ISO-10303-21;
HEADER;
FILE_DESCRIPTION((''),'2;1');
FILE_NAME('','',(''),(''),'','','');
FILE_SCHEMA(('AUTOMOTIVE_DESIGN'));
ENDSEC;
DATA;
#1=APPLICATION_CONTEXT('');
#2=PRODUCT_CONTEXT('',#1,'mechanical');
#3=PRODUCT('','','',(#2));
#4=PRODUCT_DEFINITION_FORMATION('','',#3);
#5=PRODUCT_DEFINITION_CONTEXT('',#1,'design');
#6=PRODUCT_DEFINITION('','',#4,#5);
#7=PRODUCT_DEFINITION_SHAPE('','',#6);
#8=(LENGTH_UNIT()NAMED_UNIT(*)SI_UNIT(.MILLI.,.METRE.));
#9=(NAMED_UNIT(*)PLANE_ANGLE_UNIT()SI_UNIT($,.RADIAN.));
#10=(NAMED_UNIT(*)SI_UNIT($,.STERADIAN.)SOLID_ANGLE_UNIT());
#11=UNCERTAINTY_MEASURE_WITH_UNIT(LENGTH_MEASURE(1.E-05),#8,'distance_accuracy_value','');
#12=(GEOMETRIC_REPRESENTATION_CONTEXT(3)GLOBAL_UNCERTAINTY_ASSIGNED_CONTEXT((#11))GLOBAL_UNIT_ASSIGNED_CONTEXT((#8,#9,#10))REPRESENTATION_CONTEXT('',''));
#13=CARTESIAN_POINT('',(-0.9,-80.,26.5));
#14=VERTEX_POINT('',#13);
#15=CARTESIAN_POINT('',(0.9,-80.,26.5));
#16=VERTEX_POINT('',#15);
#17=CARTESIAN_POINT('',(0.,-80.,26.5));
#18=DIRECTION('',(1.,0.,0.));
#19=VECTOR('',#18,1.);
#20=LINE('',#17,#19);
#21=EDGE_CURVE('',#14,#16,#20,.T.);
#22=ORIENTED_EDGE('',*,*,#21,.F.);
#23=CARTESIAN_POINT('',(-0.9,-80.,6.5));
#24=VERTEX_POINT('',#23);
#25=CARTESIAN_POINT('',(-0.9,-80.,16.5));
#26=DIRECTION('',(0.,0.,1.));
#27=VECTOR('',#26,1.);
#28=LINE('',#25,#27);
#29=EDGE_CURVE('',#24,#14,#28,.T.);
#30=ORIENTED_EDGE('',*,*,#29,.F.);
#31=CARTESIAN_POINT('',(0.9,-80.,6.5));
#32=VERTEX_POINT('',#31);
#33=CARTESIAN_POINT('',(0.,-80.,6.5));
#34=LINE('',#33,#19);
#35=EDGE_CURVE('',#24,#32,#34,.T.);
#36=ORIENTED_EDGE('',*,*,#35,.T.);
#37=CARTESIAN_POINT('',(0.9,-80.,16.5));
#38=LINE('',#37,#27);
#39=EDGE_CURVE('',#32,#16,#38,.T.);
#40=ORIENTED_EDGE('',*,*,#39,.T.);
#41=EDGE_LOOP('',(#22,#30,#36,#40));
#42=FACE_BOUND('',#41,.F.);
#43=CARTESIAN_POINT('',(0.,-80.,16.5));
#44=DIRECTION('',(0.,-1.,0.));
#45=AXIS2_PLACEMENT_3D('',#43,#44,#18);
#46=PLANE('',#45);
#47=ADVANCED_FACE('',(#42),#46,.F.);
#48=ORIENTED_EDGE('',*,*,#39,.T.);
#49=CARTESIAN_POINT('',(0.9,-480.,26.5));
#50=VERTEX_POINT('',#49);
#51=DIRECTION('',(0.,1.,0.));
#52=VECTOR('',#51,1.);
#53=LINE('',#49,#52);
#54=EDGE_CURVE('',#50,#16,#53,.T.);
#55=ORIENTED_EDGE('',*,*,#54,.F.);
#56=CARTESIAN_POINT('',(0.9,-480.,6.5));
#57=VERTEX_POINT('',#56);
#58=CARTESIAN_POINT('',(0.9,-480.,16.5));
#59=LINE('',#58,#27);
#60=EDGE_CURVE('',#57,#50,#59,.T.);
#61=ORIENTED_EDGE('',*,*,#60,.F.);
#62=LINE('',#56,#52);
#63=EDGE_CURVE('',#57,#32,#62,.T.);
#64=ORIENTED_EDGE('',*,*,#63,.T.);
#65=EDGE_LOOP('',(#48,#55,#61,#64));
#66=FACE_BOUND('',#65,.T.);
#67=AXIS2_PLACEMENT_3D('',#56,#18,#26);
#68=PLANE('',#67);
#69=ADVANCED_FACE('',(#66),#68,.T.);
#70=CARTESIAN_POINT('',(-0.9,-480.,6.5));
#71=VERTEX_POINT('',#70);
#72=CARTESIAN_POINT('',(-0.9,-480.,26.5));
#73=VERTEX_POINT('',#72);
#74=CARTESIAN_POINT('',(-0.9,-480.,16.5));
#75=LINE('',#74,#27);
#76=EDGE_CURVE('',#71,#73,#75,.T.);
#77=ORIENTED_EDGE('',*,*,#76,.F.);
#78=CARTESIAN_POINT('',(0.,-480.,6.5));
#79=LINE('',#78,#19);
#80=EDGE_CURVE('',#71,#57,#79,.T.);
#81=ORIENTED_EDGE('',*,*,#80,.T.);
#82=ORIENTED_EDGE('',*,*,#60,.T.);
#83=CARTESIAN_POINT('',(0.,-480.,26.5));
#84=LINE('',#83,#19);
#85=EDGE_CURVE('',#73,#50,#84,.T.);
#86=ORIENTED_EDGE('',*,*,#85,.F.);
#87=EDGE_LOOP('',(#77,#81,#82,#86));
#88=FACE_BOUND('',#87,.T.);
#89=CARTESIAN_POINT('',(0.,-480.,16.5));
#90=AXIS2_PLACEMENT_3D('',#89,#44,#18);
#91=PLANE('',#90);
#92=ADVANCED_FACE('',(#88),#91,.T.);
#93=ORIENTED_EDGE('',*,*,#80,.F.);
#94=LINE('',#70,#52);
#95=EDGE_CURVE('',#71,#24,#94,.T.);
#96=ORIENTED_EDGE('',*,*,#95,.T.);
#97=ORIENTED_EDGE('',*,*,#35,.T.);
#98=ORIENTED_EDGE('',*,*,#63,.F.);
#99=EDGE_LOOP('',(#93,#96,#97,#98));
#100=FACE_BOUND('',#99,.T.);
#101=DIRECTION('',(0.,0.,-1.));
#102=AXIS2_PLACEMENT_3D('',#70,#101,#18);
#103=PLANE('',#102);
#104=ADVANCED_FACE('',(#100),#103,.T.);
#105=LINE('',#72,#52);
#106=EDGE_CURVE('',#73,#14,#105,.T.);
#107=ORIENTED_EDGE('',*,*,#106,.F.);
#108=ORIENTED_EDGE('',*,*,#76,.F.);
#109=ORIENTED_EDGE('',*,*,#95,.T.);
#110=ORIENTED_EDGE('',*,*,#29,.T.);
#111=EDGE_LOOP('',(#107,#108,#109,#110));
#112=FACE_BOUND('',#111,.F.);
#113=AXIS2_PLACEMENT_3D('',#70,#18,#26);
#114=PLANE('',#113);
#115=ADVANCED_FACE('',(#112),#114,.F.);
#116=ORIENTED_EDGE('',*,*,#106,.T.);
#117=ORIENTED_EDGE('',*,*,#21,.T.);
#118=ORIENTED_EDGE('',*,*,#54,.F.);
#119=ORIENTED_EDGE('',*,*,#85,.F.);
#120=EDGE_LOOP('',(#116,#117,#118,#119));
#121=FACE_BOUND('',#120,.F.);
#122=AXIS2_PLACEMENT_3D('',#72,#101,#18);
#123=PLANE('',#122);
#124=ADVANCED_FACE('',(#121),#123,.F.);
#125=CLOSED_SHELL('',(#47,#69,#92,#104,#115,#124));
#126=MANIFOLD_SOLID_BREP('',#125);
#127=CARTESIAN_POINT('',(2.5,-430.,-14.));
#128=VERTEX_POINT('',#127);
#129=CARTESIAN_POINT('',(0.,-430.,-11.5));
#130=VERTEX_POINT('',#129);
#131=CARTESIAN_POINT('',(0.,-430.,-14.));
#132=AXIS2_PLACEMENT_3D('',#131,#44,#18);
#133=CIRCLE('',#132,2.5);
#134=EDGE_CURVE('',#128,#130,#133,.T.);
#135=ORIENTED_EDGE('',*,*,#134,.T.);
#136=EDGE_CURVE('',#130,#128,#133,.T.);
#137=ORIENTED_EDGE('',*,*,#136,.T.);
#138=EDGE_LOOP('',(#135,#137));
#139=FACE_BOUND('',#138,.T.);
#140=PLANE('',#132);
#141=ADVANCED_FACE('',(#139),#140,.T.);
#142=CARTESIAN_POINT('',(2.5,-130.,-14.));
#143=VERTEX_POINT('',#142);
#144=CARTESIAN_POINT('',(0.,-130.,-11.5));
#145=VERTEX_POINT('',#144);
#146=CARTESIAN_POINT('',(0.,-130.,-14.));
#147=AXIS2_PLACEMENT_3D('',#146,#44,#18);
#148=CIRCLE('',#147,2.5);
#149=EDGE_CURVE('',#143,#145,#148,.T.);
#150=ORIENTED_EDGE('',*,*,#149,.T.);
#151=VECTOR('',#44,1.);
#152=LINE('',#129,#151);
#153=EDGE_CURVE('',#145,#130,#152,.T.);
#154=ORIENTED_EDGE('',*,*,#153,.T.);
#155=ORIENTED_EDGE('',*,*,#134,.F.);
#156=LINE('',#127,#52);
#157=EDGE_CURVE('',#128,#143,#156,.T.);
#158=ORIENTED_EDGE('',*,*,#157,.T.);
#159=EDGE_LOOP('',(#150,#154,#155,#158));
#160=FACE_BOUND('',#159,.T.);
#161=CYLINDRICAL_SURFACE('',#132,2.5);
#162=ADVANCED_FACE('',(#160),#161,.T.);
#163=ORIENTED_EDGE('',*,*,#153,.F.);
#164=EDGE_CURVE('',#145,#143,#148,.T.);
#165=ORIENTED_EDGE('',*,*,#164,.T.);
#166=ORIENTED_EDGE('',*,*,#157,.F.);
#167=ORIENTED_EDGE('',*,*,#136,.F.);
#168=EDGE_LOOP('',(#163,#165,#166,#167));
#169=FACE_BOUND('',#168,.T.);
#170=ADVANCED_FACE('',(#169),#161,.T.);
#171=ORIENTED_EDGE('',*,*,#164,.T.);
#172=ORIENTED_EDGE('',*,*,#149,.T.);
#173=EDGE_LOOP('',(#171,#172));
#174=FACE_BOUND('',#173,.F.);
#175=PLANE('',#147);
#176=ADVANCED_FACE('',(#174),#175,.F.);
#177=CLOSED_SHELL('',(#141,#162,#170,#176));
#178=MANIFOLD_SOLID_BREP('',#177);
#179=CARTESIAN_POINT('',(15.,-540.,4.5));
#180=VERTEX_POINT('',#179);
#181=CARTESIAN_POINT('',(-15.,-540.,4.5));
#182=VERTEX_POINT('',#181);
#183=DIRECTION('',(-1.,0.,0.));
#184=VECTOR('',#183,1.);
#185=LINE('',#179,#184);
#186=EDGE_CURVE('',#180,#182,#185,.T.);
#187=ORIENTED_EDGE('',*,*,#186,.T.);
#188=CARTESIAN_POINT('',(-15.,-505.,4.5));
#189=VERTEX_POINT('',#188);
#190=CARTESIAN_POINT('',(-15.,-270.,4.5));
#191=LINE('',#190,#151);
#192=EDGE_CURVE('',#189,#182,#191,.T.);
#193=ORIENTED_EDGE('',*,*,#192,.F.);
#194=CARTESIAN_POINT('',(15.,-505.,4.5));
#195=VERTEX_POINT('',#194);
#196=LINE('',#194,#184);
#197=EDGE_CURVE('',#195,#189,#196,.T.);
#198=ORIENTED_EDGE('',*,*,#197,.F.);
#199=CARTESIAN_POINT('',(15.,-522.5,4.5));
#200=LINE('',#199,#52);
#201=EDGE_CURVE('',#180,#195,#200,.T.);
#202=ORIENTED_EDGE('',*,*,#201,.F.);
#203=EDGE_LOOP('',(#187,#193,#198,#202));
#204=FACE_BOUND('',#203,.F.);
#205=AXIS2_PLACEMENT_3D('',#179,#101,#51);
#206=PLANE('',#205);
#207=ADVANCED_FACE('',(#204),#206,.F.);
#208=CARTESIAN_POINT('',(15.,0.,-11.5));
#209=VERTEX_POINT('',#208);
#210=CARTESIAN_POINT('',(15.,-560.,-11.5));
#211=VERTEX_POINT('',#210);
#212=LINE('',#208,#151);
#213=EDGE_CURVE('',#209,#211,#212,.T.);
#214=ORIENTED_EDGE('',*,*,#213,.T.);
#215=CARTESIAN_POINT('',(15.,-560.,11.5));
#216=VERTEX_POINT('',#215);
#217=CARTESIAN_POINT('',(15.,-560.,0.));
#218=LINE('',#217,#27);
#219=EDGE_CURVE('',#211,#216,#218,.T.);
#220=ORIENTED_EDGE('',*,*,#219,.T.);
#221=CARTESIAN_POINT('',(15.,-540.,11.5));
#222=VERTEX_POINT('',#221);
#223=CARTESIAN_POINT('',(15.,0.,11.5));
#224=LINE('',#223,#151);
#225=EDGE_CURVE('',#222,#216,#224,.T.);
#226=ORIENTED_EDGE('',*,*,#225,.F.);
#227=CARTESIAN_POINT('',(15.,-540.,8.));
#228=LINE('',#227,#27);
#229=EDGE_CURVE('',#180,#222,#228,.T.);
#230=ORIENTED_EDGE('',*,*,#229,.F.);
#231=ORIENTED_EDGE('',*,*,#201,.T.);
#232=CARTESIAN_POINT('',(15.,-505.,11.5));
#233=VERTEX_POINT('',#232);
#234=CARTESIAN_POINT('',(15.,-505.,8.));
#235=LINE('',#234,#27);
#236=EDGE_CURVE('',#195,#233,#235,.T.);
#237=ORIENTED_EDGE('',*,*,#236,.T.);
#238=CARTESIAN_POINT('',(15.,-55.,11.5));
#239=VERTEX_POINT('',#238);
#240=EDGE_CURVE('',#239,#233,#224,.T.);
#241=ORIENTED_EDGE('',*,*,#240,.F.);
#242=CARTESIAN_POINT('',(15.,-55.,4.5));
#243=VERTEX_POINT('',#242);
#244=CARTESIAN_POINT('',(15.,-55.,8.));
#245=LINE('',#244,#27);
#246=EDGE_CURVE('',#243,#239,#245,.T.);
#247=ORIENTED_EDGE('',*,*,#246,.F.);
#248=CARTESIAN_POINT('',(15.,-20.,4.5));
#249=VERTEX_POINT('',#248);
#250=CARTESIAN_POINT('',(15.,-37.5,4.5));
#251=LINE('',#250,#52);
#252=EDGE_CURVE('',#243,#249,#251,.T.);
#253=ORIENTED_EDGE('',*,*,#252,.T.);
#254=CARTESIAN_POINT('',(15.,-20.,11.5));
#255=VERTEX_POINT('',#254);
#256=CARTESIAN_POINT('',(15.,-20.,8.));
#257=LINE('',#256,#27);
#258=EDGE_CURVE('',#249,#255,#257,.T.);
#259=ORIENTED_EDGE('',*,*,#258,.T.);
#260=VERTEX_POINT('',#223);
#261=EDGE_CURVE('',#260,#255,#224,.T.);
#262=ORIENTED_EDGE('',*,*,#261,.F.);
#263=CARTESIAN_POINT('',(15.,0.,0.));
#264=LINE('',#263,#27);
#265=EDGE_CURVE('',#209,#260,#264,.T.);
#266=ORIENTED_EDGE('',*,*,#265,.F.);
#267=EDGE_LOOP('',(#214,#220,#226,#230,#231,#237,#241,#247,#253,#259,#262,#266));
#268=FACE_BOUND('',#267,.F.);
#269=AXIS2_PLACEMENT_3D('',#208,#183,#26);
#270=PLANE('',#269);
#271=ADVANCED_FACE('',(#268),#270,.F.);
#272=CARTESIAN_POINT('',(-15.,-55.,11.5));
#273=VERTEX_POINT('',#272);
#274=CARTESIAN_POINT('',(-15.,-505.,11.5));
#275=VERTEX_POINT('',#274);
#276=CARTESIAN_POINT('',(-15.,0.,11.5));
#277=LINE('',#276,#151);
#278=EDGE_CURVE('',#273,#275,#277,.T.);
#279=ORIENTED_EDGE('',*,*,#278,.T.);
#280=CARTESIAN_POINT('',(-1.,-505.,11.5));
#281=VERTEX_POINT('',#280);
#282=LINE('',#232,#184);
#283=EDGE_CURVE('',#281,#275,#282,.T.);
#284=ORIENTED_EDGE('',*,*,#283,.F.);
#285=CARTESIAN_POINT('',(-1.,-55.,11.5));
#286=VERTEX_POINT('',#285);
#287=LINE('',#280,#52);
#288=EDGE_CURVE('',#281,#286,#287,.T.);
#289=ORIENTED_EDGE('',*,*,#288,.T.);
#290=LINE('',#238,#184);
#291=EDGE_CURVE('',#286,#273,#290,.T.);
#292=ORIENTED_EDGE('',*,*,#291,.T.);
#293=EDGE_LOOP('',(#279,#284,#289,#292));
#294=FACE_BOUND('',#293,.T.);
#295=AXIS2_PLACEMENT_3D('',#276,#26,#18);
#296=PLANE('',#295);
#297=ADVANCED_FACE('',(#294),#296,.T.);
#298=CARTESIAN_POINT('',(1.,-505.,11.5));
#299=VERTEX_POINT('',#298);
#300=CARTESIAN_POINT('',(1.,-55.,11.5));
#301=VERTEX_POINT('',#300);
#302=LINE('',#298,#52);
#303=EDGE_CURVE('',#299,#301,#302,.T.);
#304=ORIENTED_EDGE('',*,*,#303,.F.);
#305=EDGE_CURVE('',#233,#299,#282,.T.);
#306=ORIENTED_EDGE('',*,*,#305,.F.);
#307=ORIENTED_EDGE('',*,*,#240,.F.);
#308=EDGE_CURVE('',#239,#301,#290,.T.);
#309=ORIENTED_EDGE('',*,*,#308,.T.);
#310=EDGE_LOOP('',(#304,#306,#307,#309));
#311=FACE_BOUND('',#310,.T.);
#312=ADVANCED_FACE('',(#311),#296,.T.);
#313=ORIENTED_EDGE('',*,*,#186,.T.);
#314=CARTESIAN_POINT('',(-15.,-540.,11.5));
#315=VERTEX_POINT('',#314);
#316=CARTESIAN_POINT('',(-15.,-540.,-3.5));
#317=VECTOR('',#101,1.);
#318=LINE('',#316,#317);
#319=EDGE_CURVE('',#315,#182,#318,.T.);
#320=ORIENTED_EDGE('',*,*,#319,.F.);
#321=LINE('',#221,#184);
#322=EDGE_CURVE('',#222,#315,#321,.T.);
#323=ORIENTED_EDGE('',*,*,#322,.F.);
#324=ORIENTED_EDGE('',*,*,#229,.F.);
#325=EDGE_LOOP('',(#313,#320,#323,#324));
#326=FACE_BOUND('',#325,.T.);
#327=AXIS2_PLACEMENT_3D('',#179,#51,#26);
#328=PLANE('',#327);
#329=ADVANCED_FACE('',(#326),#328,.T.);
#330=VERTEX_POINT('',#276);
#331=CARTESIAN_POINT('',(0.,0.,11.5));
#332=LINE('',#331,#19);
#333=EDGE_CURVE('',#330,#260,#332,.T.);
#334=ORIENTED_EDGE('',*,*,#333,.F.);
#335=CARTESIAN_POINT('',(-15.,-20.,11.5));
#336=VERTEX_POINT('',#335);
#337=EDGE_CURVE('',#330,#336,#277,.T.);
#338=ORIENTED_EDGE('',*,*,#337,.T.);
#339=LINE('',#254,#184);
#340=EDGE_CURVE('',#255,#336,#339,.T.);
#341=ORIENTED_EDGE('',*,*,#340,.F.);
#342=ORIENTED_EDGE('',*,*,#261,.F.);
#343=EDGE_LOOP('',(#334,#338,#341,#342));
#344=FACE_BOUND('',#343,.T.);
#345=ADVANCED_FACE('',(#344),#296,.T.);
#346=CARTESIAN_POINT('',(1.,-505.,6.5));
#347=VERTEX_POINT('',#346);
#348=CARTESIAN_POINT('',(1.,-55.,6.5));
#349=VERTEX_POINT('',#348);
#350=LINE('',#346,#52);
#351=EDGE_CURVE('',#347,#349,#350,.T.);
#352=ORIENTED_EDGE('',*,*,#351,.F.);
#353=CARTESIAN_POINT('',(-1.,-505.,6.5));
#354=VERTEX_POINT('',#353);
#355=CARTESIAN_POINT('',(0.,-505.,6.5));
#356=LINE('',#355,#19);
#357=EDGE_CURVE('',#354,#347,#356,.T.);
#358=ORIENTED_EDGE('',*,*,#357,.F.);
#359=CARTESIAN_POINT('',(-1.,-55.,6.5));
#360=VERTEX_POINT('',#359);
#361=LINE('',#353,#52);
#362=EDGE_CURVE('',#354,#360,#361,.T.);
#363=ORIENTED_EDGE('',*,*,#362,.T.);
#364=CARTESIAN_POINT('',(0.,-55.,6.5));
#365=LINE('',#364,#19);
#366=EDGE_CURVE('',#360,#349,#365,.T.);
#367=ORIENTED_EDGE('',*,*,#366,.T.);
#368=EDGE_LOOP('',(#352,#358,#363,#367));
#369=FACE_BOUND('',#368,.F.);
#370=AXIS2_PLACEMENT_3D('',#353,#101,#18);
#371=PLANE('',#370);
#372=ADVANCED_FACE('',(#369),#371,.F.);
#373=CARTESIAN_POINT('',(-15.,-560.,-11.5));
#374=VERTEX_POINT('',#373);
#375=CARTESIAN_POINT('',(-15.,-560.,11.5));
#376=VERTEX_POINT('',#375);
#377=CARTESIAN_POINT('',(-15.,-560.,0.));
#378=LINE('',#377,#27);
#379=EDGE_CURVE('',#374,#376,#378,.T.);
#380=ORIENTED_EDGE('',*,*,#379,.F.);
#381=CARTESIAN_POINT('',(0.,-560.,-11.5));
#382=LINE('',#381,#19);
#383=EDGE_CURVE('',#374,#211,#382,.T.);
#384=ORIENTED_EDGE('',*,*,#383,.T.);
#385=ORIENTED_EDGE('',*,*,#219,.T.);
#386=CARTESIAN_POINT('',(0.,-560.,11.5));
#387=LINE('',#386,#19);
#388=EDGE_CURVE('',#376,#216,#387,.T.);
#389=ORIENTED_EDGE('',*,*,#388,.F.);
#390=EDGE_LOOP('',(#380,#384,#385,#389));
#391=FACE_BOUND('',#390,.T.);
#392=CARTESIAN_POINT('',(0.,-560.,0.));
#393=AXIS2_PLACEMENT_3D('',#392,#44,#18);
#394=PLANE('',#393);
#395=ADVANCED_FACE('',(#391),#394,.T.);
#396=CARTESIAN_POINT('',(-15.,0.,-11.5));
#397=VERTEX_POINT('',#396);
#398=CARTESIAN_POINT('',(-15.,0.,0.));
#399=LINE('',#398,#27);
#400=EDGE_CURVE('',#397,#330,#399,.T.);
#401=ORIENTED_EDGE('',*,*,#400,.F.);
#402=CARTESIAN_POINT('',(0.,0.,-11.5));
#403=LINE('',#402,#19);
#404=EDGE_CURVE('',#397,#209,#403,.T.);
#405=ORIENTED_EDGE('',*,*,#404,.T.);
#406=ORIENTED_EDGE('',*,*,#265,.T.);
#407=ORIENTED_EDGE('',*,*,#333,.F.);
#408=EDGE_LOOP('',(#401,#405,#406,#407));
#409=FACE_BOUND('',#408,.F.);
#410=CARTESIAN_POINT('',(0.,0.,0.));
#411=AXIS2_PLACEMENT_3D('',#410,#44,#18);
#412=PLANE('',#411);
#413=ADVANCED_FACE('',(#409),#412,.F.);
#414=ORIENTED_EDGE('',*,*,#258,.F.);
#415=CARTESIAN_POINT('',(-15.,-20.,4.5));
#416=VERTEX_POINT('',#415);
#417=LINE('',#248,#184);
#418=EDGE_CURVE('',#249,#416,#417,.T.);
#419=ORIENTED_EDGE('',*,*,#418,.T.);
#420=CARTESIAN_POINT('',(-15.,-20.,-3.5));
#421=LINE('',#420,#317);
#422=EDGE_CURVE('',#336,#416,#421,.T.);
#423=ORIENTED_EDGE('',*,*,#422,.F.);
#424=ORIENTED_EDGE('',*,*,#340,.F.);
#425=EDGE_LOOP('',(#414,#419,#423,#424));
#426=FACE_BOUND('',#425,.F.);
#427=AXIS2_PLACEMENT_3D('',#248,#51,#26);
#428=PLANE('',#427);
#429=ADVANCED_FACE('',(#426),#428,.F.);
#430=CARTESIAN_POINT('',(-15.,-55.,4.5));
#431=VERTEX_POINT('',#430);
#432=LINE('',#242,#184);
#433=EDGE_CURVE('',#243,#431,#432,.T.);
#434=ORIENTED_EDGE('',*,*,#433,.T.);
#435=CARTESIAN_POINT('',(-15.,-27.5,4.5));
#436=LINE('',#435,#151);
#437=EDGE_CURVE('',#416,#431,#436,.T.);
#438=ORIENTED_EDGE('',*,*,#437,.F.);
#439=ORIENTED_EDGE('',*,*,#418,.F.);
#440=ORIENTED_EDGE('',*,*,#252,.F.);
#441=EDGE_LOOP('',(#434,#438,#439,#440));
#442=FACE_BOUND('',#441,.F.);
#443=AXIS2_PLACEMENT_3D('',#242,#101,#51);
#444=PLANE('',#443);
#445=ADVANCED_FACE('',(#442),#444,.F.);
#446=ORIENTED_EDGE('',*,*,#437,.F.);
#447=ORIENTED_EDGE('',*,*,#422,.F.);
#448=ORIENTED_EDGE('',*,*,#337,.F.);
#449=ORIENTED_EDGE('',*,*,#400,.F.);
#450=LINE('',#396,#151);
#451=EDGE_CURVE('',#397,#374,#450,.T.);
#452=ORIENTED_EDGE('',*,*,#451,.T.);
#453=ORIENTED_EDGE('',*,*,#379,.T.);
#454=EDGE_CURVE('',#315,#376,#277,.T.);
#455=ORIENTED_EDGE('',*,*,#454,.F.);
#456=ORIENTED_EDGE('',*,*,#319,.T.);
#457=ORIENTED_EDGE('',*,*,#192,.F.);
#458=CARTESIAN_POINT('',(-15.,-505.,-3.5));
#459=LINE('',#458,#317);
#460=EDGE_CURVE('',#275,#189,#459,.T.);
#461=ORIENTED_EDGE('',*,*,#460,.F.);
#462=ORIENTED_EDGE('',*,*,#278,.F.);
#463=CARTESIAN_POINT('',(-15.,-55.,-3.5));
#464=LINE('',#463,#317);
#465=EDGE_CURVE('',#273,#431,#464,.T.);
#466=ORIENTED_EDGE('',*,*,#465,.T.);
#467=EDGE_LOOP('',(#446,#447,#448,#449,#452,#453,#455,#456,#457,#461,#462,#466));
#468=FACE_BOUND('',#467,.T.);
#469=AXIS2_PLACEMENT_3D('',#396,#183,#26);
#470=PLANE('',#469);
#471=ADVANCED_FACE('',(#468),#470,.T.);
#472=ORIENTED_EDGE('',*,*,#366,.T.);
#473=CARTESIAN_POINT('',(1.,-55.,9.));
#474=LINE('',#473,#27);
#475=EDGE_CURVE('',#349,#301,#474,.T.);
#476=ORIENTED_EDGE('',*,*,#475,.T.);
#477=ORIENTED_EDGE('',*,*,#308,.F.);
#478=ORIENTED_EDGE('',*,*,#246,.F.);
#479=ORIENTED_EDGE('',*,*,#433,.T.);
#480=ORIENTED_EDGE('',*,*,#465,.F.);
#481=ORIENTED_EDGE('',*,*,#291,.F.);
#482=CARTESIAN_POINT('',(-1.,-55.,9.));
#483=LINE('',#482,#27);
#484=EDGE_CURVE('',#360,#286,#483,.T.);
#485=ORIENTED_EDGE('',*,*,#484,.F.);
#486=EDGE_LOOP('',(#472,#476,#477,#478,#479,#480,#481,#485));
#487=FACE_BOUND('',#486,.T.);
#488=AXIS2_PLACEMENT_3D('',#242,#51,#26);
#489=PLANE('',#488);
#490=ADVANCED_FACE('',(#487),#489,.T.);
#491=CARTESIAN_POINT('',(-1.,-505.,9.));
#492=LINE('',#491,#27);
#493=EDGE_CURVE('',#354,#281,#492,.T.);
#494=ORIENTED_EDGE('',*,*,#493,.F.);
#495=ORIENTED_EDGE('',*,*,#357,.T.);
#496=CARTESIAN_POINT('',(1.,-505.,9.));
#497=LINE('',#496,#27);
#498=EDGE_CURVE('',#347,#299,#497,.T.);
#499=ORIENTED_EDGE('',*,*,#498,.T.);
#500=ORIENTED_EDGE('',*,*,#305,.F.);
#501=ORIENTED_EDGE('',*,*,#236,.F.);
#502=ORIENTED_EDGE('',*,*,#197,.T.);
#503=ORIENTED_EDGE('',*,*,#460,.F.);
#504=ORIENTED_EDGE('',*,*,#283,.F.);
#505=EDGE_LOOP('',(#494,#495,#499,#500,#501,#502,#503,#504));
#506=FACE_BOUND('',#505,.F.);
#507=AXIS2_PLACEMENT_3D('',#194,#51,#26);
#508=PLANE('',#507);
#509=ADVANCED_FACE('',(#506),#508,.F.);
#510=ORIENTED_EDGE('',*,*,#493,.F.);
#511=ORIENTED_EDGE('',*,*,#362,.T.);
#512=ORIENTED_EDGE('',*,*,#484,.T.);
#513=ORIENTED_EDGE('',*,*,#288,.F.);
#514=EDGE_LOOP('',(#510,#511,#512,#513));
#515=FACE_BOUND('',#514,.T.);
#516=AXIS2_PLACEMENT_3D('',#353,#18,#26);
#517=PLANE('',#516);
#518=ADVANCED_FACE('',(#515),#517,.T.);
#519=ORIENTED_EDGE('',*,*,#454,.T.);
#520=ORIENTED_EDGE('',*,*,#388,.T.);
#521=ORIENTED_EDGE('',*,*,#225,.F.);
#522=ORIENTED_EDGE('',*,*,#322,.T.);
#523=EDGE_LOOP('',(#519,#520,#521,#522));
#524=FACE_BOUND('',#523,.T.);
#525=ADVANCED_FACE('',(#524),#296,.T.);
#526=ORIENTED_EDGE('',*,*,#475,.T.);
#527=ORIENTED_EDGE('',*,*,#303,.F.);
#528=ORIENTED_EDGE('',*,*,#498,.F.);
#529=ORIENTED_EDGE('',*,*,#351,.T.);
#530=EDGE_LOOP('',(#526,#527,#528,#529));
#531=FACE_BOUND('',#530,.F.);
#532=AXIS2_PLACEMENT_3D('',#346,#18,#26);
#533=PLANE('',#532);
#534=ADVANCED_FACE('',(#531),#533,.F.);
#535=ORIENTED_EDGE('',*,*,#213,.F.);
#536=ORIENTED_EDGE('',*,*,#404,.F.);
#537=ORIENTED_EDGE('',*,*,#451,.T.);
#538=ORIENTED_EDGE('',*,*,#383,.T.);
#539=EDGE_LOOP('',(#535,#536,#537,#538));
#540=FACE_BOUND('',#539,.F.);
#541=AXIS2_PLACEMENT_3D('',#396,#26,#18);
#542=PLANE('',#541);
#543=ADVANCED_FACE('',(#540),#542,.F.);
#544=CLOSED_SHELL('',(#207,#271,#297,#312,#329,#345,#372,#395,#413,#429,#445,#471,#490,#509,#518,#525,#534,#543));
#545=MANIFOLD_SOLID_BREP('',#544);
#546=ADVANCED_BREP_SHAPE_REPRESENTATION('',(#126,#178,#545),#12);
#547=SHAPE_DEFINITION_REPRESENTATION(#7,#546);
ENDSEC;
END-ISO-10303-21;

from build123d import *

# Parameters (mm, degrees)
F0_W     = 30
F0_H     = 23
F1_DEPTH = 560
F2_W     = 35
F2_H     = 7
F3_DEPTH = 30.001
F4_W     = 2
F4_H     = 5
F5_DEPTH = 450
F7_START = -25
F6_W     = 1.8
F6_H     = 20
F7_DEPTH = 400
F9_START = -130
F8_R     = 2.5
F9_DEPTH = 300


with BuildPart() as f1:
    # F0 (on Front) → F1 (new body)
    with BuildSketch(Plane.XZ):
        Rectangle(F0_W, F0_H)
    extrude(amount=F1_DEPTH)

    # F2 (on face) → F3 (cut, through all)
    with BuildSketch(Plane.YZ.offset(15)):
        with Locations((-522.5, 8)):
            Rectangle(F2_W, F2_H)
        with Locations((-37.5, 8)):
            Rectangle(F2_W, F2_H)
    extrude(amount=-F3_DEPTH, mode=Mode.SUBTRACT)

    # F4 (on face) → F5 (cut, through all)
    with BuildSketch(Plane.XZ.offset(505)):
        with Locations((0, 9)):
            Rectangle(F4_W, F4_H)
    extrude(amount=-F5_DEPTH, mode=Mode.SUBTRACT)

    # F8 (on face) → F9 (join)
    with BuildSketch(Plane.XZ.offset(560).offset(F9_START)):
        with Locations((0, -14)):
            Circle(F8_R)
    extrude(amount=-F9_DEPTH)


with BuildPart() as f7:
    # F6 (on face) → F7 (new body)
    with BuildSketch(Plane.XZ.offset(505).offset(F7_START)):
        with Locations((0, 16.5)):
            Rectangle(F6_W, F6_H)
    extrude(amount=-F7_DEPTH)


solid = Compound([f1.part, f7.part])
